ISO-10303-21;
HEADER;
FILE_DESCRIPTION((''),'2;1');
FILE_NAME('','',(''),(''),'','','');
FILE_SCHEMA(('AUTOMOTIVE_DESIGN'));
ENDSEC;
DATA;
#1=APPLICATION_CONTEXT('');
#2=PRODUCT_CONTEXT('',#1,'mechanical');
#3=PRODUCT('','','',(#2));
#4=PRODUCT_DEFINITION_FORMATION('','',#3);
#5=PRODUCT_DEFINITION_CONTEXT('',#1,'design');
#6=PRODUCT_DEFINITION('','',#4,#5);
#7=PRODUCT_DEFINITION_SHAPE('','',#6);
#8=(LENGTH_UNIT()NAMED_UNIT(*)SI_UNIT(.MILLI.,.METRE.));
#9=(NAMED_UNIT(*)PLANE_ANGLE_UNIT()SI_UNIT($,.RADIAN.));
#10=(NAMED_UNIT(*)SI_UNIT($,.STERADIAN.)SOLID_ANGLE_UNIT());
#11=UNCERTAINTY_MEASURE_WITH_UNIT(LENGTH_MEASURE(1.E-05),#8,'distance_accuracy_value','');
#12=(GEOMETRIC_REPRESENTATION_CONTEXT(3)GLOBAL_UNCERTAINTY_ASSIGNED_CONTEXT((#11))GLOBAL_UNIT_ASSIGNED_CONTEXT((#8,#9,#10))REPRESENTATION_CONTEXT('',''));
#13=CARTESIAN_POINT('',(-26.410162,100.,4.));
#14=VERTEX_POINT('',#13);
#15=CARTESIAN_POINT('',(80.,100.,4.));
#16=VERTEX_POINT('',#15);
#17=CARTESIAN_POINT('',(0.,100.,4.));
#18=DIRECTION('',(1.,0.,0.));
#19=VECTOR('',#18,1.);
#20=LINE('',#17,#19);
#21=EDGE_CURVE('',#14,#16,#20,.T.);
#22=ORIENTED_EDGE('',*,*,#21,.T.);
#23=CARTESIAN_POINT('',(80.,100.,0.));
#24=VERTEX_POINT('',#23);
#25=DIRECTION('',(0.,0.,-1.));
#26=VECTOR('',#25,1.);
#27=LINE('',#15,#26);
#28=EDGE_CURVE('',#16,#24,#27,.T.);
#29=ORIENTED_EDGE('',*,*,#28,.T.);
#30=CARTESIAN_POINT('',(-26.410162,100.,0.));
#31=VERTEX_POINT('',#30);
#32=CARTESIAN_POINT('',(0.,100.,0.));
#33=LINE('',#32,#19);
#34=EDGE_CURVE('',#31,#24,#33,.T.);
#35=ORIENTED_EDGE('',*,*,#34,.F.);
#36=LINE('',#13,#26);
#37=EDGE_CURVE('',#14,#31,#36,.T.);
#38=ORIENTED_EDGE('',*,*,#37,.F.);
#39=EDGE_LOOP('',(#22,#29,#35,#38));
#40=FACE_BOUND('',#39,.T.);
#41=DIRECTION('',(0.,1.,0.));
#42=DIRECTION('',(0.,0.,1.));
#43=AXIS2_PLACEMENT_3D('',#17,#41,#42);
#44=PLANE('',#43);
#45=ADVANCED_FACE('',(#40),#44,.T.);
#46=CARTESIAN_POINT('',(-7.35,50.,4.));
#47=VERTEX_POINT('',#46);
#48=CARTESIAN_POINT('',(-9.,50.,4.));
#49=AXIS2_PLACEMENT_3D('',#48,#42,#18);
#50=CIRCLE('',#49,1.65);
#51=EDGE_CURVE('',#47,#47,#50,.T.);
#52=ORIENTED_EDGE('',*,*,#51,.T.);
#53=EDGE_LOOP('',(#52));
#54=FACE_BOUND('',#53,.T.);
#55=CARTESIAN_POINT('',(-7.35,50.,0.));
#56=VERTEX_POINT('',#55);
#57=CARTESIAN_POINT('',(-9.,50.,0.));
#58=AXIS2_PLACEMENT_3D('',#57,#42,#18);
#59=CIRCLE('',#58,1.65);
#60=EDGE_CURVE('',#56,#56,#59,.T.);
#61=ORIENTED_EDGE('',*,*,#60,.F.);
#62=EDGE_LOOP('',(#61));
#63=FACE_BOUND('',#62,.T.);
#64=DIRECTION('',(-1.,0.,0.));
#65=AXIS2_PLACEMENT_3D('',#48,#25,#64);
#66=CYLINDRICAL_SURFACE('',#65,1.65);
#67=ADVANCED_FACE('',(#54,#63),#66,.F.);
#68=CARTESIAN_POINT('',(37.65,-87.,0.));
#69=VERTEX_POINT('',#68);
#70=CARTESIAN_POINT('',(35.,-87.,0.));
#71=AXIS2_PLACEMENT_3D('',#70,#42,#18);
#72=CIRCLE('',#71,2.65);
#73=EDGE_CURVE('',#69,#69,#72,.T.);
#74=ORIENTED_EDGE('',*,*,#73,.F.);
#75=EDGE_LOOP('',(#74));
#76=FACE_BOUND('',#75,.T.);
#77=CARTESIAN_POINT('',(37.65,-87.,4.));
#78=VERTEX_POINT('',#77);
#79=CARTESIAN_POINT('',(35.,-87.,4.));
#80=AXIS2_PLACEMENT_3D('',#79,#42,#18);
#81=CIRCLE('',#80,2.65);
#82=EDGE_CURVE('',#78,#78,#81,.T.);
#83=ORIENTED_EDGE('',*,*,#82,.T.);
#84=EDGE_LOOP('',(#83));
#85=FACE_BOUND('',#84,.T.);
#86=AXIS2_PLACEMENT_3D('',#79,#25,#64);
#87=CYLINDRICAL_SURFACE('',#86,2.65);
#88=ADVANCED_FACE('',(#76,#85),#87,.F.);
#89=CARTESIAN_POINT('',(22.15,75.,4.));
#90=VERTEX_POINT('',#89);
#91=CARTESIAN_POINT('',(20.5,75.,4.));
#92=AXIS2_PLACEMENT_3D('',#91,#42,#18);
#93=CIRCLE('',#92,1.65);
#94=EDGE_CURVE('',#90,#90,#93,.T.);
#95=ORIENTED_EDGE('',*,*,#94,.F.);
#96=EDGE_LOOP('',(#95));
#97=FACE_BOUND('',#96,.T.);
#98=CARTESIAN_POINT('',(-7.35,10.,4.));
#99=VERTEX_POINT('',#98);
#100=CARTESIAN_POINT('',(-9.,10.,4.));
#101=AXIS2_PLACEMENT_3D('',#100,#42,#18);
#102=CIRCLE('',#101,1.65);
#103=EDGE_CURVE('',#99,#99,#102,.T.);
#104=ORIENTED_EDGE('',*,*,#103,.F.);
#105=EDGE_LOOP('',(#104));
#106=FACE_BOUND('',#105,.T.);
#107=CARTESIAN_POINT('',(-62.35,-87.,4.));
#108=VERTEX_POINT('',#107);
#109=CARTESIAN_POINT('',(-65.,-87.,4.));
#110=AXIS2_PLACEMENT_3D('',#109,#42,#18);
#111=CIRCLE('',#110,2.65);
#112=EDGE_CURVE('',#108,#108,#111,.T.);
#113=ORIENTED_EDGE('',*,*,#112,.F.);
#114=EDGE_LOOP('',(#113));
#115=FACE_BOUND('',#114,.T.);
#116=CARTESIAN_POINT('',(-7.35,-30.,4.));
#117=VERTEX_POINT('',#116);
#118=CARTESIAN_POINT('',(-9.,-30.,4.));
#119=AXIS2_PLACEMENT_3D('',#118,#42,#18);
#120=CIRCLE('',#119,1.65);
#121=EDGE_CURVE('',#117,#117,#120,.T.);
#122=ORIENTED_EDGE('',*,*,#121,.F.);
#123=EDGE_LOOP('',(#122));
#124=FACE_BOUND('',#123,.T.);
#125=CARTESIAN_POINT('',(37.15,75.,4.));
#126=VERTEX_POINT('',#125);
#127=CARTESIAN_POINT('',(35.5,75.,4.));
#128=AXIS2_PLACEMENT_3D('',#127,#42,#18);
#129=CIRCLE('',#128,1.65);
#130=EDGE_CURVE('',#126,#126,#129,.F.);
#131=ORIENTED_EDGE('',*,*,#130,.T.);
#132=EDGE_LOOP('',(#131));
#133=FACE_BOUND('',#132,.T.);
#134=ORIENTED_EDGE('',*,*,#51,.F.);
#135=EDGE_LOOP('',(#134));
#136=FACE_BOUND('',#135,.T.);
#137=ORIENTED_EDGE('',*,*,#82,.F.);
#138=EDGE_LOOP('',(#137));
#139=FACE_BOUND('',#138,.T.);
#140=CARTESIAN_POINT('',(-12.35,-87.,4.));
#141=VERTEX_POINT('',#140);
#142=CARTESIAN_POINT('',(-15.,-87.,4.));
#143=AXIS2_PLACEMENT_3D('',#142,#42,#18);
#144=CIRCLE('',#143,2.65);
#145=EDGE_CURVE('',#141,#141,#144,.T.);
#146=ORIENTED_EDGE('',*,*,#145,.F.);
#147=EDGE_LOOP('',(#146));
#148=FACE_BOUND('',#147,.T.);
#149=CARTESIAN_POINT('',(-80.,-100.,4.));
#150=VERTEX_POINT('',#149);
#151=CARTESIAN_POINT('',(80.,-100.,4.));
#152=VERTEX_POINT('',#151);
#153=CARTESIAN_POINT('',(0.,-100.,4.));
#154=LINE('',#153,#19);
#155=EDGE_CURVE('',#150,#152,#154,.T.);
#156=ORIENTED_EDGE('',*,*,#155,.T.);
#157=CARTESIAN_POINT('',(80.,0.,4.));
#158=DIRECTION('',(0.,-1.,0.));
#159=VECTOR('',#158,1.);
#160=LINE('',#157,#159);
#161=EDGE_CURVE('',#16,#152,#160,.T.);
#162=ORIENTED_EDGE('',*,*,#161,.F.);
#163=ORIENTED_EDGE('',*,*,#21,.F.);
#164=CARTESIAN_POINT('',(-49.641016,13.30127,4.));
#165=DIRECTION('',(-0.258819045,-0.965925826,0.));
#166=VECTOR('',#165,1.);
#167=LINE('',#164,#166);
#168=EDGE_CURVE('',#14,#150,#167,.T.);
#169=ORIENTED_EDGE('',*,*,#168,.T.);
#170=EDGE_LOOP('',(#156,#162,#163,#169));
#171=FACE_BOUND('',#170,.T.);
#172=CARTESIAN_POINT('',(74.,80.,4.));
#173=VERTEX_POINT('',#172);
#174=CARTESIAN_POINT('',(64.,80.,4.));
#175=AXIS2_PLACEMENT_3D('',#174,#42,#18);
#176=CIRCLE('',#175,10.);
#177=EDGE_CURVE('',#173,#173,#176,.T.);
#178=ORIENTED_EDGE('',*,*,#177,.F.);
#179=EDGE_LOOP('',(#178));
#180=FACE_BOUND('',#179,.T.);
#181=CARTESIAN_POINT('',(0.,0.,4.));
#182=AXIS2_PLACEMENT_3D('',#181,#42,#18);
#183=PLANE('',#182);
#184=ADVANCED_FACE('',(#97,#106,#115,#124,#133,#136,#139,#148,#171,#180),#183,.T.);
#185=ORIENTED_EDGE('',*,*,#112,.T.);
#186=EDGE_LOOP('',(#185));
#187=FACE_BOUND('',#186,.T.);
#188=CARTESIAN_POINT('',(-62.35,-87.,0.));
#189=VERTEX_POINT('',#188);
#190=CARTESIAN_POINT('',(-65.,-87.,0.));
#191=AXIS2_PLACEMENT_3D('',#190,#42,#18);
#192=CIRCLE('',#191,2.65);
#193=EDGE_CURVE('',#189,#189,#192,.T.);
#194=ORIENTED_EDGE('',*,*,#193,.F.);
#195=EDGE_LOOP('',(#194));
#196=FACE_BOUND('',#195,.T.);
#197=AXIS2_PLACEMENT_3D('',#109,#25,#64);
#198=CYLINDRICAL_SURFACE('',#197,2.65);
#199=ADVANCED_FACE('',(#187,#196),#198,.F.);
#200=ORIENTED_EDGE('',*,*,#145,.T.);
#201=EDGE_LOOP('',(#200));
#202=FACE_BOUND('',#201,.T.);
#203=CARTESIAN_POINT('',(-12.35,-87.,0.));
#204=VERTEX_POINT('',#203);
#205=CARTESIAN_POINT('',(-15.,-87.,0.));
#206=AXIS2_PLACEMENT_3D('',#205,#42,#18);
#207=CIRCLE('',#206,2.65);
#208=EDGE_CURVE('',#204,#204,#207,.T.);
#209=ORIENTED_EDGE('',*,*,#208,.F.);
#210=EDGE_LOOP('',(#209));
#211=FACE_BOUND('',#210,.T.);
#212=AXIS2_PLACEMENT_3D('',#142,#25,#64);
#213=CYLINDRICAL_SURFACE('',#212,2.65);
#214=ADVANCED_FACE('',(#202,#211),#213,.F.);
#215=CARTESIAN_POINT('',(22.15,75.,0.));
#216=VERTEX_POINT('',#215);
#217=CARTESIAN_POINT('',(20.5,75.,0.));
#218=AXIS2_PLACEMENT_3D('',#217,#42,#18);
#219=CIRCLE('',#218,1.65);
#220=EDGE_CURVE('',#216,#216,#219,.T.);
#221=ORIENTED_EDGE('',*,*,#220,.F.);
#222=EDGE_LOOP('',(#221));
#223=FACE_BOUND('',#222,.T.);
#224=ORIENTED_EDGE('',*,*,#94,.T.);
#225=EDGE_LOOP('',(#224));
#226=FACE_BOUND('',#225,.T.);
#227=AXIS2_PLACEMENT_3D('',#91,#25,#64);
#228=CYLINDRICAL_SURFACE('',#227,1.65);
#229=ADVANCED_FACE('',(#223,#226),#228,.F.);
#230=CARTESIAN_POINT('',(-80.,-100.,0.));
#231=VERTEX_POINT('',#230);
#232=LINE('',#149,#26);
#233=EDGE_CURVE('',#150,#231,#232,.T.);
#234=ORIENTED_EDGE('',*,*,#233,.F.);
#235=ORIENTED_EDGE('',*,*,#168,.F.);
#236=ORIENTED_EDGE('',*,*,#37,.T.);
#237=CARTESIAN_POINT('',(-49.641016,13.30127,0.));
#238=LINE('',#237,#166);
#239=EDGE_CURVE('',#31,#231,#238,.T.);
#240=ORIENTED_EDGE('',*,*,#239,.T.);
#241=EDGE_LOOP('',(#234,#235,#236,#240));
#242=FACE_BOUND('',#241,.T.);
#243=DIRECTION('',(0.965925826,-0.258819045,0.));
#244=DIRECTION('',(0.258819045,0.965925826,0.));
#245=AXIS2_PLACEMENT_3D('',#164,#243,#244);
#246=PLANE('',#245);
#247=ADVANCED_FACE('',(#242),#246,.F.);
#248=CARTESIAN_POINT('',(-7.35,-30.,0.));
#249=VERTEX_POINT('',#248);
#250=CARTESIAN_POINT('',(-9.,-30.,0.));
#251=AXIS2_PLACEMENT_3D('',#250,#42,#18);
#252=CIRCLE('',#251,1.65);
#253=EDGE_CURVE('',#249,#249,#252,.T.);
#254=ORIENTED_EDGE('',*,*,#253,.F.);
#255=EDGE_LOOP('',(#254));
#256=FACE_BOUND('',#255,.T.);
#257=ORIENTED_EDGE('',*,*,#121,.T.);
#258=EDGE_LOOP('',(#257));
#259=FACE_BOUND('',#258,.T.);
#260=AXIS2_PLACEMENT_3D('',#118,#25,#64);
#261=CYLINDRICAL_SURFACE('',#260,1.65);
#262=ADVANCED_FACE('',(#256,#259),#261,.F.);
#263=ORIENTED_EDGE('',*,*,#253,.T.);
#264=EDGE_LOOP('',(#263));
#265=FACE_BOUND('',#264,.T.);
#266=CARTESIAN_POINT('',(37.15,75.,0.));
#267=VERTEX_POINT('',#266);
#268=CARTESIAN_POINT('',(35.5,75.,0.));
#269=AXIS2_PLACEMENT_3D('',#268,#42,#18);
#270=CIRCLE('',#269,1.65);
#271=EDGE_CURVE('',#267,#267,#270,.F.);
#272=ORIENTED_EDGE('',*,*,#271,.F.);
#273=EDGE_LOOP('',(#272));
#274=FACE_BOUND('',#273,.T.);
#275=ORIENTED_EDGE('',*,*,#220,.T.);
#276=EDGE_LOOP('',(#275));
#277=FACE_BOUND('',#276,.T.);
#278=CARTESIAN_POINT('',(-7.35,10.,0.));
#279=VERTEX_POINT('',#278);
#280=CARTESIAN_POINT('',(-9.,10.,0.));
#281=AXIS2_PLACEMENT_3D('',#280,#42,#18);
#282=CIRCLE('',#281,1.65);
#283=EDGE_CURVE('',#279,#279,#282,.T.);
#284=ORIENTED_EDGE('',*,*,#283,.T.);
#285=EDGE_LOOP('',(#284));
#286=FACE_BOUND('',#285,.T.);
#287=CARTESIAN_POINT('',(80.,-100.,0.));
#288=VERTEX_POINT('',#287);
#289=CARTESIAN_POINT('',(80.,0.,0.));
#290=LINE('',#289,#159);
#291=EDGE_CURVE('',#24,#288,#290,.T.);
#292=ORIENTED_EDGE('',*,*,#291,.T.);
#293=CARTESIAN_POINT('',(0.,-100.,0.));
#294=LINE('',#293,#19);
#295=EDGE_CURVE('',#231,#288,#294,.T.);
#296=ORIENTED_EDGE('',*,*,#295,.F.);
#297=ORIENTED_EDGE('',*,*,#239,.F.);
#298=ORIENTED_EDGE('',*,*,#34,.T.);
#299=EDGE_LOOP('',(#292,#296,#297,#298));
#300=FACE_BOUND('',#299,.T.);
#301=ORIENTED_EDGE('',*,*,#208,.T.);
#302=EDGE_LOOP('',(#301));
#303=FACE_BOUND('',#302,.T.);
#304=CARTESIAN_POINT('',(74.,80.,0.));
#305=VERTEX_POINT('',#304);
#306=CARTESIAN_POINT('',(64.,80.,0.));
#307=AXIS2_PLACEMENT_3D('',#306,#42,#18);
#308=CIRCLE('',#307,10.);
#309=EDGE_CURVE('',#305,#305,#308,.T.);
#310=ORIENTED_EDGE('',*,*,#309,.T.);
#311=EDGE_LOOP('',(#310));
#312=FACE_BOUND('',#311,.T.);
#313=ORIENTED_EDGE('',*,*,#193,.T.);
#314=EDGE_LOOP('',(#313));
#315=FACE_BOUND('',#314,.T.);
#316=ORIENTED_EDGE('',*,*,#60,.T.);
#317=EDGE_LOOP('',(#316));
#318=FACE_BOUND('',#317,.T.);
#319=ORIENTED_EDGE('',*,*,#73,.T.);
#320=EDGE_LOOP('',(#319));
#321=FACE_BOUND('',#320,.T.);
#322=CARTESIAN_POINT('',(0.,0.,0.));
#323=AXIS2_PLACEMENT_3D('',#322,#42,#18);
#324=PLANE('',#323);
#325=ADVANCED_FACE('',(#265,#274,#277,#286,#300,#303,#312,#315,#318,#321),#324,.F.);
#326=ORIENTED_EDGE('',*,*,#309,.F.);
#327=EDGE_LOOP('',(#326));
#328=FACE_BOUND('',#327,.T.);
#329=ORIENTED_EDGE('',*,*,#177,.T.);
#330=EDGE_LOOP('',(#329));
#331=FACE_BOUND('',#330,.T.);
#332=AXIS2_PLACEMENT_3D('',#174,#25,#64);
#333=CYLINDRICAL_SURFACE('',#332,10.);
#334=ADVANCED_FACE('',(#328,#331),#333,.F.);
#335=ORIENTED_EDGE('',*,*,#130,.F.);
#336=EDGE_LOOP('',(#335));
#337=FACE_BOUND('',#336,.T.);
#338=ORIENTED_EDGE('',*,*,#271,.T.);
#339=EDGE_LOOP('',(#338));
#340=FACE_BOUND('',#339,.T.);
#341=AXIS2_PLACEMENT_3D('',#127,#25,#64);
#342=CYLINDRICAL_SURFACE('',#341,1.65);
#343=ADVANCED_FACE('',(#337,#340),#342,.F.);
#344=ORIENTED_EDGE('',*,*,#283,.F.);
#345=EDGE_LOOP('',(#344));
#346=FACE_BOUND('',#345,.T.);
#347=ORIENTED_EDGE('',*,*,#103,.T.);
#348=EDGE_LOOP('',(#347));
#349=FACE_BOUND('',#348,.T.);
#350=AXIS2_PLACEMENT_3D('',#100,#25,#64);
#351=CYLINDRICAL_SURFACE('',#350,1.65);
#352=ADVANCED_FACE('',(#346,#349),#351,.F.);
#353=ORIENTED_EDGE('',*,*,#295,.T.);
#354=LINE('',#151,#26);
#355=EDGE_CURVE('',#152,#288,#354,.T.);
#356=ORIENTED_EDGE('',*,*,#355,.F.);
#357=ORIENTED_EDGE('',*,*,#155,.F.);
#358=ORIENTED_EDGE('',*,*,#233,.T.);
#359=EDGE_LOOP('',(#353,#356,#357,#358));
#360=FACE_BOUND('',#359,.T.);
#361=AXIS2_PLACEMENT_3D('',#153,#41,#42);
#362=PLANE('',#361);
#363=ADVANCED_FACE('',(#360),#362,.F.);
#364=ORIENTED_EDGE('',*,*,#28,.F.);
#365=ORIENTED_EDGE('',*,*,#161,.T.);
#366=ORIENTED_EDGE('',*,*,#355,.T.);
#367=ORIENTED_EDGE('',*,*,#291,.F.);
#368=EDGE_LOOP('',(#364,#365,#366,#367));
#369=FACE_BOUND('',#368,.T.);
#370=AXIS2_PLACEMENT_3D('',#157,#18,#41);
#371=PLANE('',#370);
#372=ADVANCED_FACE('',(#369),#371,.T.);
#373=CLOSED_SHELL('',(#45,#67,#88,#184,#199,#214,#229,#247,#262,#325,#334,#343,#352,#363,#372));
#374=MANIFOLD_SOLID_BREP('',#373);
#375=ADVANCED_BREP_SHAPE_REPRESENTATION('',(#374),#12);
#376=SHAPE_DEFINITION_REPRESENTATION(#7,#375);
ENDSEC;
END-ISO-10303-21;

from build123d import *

# Parameters (mm, degrees)
SKETCH_2_R      = 2.65
SKETCH_2_R_2    = 1.65
SKETCH_2_R_3    = 10
EXTRUDE_1_DEPTH = 4


with BuildPart() as part:
    # 草图2 → 凸台-拉伸1 (new body)
    with BuildSketch(Plane.XY):
        Polygon((80, 100), (-26.410161514, 100), (-80, -100), (80, -100), align=None)
        with Locations((-65, -87)):
            Circle(SKETCH_2_R, mode=Mode.SUBTRACT)
        with Locations((-15, -87)):
            Circle(SKETCH_2_R, mode=Mode.SUBTRACT)
        with Locations((-9, -30)):
            Circle(SKETCH_2_R_2, mode=Mode.SUBTRACT)
        with Locations((35, -87)):
            Circle(SKETCH_2_R, mode=Mode.SUBTRACT)
        with Locations((-9, 10)):
            Circle(SKETCH_2_R_2, mode=Mode.SUBTRACT)
        with Locations((-9, 50)):
            Circle(SKETCH_2_R_2, mode=Mode.SUBTRACT)
        with Locations((20.5, 75)):
            Circle(SKETCH_2_R_2, mode=Mode.SUBTRACT)
        with Locations((35.5, 75)):
            Circle(SKETCH_2_R_2, mode=Mode.SUBTRACT)
        with Locations((64, 80)):
            Circle(SKETCH_2_R_3, mode=Mode.SUBTRACT)
    extrude(amount=EXTRUDE_1_DEPTH)


solid = part.part
